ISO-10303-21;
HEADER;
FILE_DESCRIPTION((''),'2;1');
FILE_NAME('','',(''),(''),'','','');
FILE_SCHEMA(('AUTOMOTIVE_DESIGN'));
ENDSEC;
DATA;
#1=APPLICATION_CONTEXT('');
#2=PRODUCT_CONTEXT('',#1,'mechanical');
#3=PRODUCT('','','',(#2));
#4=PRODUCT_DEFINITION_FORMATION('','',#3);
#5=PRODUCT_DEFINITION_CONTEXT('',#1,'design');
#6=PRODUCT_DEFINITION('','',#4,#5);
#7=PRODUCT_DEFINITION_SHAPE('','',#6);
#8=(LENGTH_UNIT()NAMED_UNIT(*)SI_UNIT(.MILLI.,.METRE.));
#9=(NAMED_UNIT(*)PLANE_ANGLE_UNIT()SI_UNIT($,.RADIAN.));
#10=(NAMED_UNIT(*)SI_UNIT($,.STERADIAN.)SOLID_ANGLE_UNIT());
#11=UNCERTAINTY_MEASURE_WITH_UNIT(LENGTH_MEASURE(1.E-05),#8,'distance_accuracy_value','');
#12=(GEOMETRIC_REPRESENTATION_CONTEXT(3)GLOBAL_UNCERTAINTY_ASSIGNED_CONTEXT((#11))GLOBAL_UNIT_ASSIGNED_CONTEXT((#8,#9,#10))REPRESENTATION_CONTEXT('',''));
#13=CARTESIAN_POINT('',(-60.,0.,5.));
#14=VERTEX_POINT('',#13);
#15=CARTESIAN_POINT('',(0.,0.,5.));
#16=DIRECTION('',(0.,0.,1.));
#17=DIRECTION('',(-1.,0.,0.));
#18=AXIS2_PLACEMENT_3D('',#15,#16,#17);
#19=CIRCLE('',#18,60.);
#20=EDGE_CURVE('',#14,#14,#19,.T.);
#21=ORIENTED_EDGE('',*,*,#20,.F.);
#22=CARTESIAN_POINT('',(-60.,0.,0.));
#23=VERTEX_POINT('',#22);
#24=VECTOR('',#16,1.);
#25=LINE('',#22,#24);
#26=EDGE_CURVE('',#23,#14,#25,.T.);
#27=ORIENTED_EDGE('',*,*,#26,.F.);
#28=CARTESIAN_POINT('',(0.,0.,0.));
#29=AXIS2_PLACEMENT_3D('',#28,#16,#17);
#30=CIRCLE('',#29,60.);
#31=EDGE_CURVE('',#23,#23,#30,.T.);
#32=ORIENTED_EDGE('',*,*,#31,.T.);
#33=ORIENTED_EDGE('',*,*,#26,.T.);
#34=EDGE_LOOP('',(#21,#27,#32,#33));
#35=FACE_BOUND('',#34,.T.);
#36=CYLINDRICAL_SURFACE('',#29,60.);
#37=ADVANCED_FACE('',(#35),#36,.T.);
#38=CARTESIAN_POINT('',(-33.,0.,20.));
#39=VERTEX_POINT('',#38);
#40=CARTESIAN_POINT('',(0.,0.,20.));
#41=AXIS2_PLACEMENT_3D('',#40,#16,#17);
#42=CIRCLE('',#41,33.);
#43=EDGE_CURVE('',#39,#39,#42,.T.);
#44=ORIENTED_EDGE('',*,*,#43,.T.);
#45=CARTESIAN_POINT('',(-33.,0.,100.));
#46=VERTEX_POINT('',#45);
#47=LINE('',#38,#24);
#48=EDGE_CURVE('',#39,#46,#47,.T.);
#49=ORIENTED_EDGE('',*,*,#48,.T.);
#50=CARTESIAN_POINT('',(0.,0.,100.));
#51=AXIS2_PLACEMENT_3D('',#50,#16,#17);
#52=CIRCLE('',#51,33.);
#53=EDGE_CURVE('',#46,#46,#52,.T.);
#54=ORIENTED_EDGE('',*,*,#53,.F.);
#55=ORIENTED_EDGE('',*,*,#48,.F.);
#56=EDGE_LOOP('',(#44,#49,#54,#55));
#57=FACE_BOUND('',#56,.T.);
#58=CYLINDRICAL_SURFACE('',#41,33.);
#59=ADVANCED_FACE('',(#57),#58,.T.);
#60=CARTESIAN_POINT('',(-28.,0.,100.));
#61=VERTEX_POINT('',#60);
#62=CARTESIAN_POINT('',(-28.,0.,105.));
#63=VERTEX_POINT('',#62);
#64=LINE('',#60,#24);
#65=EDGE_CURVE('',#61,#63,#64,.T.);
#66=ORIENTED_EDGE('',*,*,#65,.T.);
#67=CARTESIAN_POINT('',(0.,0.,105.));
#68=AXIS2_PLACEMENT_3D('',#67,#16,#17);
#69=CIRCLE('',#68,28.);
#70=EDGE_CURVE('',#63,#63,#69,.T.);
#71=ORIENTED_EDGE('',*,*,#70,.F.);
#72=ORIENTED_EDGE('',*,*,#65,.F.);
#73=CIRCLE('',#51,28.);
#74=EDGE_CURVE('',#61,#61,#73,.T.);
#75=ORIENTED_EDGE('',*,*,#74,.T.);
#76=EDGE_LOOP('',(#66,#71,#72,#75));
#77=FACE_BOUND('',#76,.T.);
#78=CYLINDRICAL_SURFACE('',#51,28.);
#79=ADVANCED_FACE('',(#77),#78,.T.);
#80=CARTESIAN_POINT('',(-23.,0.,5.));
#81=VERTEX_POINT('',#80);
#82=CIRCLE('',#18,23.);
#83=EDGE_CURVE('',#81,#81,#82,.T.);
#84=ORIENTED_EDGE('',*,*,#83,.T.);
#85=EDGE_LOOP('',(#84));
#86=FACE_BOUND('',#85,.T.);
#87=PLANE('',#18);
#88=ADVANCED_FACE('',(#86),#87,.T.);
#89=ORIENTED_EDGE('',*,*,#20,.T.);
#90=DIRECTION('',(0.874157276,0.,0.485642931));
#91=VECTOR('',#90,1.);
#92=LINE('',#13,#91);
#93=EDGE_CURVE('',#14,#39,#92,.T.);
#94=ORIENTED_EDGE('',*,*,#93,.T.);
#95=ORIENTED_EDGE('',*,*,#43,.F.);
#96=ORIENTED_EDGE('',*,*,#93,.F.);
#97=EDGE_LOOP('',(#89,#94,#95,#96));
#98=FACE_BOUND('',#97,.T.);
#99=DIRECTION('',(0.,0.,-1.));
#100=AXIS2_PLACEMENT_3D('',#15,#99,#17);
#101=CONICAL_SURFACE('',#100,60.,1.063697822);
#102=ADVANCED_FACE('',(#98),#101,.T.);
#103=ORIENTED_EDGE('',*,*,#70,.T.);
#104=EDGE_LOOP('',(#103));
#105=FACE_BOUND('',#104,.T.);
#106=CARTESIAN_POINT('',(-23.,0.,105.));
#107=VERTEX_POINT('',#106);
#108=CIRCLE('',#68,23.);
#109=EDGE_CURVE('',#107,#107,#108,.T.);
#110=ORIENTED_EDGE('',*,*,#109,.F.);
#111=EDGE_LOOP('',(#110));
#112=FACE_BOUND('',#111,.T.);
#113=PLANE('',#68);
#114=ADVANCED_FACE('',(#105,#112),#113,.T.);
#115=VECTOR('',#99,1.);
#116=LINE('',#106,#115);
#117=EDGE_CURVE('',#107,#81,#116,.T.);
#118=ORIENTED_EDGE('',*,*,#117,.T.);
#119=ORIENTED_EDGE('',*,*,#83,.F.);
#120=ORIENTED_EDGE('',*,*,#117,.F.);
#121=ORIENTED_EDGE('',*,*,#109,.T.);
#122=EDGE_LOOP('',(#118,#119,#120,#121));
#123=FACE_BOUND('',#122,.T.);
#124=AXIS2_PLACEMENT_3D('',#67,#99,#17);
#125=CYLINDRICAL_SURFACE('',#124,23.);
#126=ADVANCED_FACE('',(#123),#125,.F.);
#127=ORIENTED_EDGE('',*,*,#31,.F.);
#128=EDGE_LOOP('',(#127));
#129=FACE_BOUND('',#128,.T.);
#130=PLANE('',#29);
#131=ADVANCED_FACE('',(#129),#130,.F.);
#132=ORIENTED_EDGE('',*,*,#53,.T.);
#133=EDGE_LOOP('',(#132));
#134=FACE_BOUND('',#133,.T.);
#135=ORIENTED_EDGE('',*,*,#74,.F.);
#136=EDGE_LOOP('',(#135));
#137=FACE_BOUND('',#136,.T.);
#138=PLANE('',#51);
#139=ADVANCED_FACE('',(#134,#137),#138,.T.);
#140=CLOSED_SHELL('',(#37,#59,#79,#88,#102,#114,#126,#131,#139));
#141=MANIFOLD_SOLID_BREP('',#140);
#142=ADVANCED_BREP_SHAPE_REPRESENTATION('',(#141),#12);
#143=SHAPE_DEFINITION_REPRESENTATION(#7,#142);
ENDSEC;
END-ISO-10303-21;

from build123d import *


with BuildPart() as part:
    # Sketch → Revolution (revolve)
    with BuildSketch(Plane.XZ):
        Polygon((0, 0), (-60, 0), (-60, 5), (-33, 20), (-33, 100), (-28, 100), (-28, 105), (-23, 105), (-23, 5), (0, 5), align=None)
    revolve(axis=Axis((0, 0, 0), (0, 0, 1)))


solid = part.part
